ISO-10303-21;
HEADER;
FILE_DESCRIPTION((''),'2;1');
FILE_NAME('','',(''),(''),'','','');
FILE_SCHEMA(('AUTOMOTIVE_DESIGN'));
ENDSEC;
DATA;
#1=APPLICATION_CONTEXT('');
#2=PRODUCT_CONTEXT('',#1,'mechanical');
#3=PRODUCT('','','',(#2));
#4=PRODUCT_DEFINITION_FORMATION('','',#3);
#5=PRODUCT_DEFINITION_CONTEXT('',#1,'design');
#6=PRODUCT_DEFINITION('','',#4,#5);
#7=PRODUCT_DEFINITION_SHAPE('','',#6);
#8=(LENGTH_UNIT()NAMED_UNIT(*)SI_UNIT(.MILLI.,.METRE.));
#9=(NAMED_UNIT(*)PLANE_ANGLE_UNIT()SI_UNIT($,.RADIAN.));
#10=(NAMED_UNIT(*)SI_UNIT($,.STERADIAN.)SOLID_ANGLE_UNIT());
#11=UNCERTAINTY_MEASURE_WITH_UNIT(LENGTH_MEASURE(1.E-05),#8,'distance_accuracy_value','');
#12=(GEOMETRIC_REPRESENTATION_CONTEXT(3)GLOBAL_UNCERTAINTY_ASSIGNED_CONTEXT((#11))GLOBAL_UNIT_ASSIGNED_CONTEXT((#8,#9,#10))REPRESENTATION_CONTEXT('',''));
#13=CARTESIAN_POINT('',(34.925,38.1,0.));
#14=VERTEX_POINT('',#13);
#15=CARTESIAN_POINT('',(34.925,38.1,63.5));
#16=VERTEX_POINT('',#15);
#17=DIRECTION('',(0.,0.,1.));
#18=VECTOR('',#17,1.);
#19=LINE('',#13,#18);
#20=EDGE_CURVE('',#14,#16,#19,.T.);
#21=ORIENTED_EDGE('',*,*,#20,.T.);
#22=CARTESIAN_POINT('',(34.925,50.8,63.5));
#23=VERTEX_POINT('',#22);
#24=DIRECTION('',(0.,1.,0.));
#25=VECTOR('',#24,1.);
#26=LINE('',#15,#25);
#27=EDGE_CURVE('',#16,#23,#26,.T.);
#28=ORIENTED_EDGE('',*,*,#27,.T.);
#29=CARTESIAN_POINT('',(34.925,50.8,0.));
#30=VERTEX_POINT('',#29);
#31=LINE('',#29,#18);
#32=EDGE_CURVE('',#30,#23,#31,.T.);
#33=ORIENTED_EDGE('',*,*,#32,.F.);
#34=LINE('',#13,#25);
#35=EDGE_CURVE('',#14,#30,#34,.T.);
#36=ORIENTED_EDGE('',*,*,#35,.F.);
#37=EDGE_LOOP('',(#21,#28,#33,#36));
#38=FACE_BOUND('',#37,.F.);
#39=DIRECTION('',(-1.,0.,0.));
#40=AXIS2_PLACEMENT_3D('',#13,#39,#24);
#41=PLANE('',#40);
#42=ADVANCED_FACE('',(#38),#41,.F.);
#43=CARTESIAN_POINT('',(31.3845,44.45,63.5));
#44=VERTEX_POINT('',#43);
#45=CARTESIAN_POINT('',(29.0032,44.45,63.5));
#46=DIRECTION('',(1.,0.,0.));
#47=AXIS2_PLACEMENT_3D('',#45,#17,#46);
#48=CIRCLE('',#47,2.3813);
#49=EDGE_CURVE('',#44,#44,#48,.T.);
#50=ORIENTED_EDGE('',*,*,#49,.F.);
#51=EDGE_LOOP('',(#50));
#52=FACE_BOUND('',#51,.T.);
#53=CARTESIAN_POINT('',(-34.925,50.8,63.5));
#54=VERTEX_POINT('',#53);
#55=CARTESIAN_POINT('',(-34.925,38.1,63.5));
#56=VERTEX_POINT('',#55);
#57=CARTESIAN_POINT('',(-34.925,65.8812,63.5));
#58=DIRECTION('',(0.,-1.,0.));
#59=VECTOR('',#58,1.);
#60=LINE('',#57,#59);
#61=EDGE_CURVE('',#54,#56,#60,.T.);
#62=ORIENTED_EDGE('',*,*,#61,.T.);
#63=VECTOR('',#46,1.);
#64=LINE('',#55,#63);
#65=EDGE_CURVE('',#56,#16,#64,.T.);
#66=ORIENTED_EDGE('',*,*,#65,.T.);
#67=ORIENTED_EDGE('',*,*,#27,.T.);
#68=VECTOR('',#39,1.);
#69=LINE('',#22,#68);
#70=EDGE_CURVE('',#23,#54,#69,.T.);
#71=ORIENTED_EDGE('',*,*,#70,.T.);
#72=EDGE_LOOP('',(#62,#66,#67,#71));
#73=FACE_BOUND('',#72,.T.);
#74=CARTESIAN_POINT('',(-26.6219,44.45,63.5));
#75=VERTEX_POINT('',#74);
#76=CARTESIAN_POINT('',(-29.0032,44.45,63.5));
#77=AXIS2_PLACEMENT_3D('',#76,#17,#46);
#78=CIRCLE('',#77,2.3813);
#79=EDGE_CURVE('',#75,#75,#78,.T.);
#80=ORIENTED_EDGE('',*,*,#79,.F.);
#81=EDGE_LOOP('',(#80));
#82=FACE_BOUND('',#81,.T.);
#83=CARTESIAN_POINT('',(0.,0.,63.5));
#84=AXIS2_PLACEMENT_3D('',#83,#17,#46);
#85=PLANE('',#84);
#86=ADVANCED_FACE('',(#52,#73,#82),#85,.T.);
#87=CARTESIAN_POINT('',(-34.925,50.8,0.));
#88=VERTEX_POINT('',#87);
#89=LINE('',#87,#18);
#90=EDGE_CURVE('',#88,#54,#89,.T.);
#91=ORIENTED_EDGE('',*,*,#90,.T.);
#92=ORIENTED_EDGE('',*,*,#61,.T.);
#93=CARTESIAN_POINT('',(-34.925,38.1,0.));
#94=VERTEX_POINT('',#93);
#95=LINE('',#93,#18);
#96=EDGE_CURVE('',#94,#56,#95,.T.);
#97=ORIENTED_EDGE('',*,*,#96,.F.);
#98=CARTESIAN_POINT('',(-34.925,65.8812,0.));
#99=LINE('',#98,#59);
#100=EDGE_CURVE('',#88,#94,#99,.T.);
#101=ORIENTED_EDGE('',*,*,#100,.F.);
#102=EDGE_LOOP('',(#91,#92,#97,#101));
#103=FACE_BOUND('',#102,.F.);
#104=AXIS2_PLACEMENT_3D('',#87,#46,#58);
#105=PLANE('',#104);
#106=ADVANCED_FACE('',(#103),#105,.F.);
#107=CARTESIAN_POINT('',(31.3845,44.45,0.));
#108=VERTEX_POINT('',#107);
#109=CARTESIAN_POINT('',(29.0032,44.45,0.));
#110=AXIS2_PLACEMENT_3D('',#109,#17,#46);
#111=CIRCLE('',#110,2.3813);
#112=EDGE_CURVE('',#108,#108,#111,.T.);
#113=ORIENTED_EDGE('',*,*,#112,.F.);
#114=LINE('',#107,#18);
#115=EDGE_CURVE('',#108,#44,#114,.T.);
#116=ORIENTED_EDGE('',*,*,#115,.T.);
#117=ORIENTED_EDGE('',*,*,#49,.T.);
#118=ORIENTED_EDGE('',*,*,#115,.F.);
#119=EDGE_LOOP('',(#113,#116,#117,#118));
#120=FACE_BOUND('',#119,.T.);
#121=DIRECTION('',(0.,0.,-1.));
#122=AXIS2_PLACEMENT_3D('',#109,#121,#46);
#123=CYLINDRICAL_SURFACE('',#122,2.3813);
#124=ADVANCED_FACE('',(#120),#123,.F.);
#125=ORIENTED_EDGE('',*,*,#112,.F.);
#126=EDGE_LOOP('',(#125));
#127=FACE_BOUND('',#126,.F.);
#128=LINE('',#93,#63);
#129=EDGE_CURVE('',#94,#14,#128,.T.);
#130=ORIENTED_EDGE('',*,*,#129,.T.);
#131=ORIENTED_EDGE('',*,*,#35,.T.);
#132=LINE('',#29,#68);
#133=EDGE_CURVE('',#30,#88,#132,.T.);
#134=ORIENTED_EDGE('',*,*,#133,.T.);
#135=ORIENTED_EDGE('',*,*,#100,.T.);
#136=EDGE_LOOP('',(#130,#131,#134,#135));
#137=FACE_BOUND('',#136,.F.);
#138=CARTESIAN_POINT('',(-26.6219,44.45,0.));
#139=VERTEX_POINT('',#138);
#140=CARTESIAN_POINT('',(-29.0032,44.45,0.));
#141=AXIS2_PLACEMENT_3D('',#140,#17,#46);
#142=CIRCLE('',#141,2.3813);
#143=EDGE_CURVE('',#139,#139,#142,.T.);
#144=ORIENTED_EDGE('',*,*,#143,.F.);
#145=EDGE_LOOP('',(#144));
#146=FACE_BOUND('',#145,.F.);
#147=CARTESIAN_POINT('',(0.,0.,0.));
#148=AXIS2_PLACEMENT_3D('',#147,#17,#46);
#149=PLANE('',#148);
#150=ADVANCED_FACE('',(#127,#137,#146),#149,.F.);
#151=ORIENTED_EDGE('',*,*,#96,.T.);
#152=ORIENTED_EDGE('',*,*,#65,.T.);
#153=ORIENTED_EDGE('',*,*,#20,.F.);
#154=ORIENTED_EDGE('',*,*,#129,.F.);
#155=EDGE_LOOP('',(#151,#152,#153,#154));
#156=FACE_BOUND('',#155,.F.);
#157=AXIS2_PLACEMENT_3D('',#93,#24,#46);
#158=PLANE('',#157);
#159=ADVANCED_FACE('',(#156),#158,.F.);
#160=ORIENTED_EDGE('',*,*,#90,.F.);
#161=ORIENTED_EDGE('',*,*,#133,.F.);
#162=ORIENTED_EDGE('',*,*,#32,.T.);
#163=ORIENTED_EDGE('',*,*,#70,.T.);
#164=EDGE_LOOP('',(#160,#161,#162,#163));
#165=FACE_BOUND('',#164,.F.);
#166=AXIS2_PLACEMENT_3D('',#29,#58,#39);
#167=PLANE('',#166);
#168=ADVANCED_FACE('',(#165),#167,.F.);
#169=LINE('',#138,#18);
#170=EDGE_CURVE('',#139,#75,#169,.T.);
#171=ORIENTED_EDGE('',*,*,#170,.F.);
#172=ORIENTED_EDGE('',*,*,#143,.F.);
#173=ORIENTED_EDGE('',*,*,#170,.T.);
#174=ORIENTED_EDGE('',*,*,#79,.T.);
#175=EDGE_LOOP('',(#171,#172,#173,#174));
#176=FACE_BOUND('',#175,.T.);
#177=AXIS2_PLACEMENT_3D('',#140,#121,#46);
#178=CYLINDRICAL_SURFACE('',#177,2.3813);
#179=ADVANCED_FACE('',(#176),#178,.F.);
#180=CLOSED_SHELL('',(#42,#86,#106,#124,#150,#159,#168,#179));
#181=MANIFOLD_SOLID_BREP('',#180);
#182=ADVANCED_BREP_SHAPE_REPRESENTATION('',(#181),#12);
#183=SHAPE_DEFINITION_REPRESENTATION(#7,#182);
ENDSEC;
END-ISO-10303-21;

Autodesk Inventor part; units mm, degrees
ref_plane "YZ Plane" through (0, 0, 0) normal (1, 0, 0) x (0, 1, 0)
ref_plane "XZ Plane" through (0, 0, 0) normal (0, 1, 0) x (-1, 0, 0)
ref_plane "XY Plane" through (0, 0, 0) normal (0, 0, 1) x (1, 0, 0)
sketch "Sketch1" plane through (0, 0, 0) normal (0, 0, 1) x (1, 0, 0)
  circle A0 centre (29.0032, 44.45) radius 2.3813 projected
  circle A1 centre (-29.0032, 44.45) radius 2.3813 projected
  circle A2 centre (29.0032, -44.45) radius 2.3813 projected
  circle A3 centre (29.0032, 44.45) radius 2.3813 projected
  circle A4 centre (-29.0032, -44.45) radius 2.3813 projected
  circle A5 centre (-29.0032, 44.45) radius 2.3813 projected
  circle A6 centre (0, 0) radius 14.2875 projected
  circle A7 centre (30.1625, -19.05) radius 2.3813 projected
  circle A8 centre (30.1625, 0) radius 2.3813 projected
  circle A9 centre (30.1625, 19.05) radius 2.3813 projected
  line L0 (-34.925, -65.8813) -> (34.925, -65.8812) projected
  line L1 (34.925, 65.8813) -> (-34.925, 65.8812) projected
  line L2 (-34.925, 65.8812) -> (-34.925, -65.8813) projected
  circle A10 centre (30.1625, -59.5312) radius 2.3813 projected
  circle A11 centre (30.1625, 59.5313) radius 2.3813 projected
  circle A12 centre (-30.1625, 59.5312) radius 2.3813 projected
  circle A13 centre (-30.1625, -59.5313) radius 2.3813 projected
  line L3 (34.925, 50.8) -> (-34.925, 50.8)
  line L4 (-34.925, 50.8) -> (-34.925, 38.1)
  line L5 (-34.925, 38.1) -> (34.925, 38.1)
  line L6 (34.925, 38.1) -> (34.925, 50.8)
  point P0 (0, 0)
  point P1 (-34.925, 50.8)
  dimension "d0" = 12.7
  dimension "d3" = 6.35
extrude "Extrusion1" add sketch "Sketch1" along normal blind 63.5 contours L3 L6 L5 L2
properties part number "Stepper Standoff"
